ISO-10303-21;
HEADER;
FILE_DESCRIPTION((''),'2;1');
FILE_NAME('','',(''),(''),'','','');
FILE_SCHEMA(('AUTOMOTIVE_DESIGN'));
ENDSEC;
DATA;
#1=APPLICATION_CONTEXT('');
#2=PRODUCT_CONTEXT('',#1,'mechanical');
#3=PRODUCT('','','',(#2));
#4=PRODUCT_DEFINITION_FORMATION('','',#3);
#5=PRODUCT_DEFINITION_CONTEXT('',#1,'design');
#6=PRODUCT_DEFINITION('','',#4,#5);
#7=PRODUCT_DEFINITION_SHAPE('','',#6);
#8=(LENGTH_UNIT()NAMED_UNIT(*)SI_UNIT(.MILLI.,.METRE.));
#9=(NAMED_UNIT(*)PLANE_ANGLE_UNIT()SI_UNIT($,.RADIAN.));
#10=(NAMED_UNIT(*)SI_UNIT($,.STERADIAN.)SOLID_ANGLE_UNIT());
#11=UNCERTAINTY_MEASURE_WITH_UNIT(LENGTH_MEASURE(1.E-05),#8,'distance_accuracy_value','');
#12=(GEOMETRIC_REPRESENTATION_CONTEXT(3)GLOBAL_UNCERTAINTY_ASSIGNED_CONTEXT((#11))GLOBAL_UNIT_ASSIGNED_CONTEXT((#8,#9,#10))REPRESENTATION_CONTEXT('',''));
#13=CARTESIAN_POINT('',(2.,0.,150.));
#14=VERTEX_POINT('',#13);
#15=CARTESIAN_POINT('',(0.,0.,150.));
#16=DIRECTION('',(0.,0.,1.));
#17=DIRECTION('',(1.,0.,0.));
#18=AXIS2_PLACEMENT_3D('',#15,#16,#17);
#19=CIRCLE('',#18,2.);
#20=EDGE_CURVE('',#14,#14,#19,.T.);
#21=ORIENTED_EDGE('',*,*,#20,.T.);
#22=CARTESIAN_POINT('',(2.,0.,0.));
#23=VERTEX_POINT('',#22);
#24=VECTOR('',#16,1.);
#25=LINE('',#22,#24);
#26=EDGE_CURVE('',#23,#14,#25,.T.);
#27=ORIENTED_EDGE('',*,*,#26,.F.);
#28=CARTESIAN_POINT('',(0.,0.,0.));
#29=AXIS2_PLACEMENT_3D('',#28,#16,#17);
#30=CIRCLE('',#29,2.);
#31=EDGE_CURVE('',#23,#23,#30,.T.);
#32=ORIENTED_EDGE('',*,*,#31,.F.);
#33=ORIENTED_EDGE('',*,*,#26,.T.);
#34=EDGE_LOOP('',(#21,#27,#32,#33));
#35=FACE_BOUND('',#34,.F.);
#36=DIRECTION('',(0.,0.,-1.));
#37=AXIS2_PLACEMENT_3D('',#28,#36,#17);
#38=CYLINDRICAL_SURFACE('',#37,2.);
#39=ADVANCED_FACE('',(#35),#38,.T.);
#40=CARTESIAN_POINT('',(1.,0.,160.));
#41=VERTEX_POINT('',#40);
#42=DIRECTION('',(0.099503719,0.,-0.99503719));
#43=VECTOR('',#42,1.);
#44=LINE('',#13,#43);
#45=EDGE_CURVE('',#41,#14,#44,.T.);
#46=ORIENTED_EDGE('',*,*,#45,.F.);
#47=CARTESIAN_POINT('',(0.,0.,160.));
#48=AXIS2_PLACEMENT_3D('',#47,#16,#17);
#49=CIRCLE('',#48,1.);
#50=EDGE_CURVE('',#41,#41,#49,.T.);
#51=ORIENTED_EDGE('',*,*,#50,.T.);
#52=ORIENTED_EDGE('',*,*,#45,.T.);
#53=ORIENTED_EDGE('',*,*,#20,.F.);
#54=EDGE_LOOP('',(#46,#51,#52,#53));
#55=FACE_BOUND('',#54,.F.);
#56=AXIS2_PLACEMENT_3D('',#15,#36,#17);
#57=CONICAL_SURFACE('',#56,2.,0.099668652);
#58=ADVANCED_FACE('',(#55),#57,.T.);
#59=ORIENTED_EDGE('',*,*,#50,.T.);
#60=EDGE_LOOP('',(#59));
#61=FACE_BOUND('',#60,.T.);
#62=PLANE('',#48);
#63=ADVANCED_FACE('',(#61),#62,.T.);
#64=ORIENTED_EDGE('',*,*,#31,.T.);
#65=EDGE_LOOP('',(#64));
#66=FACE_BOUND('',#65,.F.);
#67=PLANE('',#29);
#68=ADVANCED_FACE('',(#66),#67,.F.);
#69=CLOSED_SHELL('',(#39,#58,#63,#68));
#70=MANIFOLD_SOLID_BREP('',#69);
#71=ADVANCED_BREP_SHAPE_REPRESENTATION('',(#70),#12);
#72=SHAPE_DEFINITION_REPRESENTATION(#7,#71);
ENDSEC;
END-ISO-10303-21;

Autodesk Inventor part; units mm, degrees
ref_plane "YZ Plane" through (0, 0, 0) normal (1, 0, 0) x (0, 1, 0)
ref_plane "XZ Plane" through (0, 0, 0) normal (0, 1, 0) x (-1, 0, 0)
ref_plane "XY Plane" through (0, 0, 0) normal (0, 0, 1) x (1, 0, 0)
sketch "Szkic1" plane through (0, 0, 0) normal (0, 0, 1) x (1, 0, 0)
  circle A0 centre (0, 0) radius 2
  dimension "d0" = 4
extrude "Wyciągnięcie proste1" add sketch "Szkic1" along normal blind 160
chamfer "Faza1" distance 1 distance2 10 1 edges at (-2, 0, 160) measured on face at (0.6473, -0.1595, 160)
properties part number "bolec" material "Stal nierdzewna"
